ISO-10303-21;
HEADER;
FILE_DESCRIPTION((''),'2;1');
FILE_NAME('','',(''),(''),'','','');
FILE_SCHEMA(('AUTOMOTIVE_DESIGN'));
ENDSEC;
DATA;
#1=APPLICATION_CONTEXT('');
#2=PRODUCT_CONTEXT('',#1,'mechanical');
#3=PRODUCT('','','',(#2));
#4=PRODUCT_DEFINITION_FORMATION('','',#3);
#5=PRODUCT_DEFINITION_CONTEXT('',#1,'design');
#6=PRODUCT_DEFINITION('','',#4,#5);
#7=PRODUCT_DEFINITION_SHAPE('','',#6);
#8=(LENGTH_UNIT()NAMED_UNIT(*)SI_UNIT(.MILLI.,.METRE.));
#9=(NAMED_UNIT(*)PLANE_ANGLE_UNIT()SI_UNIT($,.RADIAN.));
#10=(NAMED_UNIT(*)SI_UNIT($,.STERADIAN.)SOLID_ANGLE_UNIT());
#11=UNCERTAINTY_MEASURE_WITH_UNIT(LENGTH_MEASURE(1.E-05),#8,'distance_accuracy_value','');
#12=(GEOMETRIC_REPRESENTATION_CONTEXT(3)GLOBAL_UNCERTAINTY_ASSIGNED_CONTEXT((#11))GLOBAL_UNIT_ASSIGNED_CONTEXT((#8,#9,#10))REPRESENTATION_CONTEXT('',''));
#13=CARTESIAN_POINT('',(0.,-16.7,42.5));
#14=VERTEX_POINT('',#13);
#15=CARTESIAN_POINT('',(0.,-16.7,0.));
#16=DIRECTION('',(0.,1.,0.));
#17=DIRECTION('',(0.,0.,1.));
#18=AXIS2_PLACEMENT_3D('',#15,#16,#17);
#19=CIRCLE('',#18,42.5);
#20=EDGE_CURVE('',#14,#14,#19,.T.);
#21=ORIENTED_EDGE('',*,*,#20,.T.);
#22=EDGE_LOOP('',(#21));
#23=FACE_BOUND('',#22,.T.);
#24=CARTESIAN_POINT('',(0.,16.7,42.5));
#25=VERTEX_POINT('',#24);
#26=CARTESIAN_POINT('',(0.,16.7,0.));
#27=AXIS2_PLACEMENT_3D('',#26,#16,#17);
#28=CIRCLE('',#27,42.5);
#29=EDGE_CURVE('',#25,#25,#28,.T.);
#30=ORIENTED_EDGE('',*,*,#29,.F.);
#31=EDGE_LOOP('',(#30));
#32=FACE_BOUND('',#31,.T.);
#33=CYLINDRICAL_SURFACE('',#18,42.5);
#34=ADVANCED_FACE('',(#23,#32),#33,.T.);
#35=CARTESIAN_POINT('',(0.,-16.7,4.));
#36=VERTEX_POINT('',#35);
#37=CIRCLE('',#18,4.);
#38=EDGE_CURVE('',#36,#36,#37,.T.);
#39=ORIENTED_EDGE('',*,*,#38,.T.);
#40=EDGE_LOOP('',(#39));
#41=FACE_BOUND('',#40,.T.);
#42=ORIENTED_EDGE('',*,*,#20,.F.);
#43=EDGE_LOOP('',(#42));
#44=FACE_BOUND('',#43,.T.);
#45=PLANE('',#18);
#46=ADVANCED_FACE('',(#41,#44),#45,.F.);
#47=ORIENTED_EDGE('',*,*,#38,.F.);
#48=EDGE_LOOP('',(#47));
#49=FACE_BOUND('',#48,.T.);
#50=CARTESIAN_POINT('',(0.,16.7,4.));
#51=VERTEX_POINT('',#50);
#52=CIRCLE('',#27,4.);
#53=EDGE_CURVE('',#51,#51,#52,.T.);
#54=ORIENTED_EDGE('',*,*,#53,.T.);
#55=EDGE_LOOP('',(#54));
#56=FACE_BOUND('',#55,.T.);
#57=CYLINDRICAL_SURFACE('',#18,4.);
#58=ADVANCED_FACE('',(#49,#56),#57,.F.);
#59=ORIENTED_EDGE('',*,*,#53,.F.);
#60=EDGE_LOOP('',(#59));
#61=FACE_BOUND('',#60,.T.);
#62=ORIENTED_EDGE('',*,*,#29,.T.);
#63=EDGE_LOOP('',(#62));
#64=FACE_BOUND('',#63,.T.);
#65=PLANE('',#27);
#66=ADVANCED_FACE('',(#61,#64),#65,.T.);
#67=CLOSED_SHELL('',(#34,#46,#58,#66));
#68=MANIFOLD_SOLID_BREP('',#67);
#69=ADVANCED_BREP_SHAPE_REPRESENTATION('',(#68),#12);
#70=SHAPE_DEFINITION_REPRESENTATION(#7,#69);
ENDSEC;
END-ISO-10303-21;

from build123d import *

# Parameters (mm, degrees)
EXTRUDE_1_DEPTH      = 16.7
EXTRUDE_1_DEPTH_BACK = 16.7
SKETCH_1_R           = 42.5
SKETCH_1_R_2         = 4


with BuildPart() as part:
    # 草圖1 → 填料-伸長1 (new, two sides: drawn at the far end of the back side and taken through both)
    with BuildSketch(Plane(origin=(0, 0, 0), x_dir=(1, 0, 0), z_dir=(0, 1, 0)).offset(-EXTRUDE_1_DEPTH_BACK)):
        Circle(SKETCH_1_R)
        Circle(SKETCH_1_R_2, mode=Mode.SUBTRACT)
    extrude(amount=EXTRUDE_1_DEPTH + EXTRUDE_1_DEPTH_BACK)


solid = part.part
